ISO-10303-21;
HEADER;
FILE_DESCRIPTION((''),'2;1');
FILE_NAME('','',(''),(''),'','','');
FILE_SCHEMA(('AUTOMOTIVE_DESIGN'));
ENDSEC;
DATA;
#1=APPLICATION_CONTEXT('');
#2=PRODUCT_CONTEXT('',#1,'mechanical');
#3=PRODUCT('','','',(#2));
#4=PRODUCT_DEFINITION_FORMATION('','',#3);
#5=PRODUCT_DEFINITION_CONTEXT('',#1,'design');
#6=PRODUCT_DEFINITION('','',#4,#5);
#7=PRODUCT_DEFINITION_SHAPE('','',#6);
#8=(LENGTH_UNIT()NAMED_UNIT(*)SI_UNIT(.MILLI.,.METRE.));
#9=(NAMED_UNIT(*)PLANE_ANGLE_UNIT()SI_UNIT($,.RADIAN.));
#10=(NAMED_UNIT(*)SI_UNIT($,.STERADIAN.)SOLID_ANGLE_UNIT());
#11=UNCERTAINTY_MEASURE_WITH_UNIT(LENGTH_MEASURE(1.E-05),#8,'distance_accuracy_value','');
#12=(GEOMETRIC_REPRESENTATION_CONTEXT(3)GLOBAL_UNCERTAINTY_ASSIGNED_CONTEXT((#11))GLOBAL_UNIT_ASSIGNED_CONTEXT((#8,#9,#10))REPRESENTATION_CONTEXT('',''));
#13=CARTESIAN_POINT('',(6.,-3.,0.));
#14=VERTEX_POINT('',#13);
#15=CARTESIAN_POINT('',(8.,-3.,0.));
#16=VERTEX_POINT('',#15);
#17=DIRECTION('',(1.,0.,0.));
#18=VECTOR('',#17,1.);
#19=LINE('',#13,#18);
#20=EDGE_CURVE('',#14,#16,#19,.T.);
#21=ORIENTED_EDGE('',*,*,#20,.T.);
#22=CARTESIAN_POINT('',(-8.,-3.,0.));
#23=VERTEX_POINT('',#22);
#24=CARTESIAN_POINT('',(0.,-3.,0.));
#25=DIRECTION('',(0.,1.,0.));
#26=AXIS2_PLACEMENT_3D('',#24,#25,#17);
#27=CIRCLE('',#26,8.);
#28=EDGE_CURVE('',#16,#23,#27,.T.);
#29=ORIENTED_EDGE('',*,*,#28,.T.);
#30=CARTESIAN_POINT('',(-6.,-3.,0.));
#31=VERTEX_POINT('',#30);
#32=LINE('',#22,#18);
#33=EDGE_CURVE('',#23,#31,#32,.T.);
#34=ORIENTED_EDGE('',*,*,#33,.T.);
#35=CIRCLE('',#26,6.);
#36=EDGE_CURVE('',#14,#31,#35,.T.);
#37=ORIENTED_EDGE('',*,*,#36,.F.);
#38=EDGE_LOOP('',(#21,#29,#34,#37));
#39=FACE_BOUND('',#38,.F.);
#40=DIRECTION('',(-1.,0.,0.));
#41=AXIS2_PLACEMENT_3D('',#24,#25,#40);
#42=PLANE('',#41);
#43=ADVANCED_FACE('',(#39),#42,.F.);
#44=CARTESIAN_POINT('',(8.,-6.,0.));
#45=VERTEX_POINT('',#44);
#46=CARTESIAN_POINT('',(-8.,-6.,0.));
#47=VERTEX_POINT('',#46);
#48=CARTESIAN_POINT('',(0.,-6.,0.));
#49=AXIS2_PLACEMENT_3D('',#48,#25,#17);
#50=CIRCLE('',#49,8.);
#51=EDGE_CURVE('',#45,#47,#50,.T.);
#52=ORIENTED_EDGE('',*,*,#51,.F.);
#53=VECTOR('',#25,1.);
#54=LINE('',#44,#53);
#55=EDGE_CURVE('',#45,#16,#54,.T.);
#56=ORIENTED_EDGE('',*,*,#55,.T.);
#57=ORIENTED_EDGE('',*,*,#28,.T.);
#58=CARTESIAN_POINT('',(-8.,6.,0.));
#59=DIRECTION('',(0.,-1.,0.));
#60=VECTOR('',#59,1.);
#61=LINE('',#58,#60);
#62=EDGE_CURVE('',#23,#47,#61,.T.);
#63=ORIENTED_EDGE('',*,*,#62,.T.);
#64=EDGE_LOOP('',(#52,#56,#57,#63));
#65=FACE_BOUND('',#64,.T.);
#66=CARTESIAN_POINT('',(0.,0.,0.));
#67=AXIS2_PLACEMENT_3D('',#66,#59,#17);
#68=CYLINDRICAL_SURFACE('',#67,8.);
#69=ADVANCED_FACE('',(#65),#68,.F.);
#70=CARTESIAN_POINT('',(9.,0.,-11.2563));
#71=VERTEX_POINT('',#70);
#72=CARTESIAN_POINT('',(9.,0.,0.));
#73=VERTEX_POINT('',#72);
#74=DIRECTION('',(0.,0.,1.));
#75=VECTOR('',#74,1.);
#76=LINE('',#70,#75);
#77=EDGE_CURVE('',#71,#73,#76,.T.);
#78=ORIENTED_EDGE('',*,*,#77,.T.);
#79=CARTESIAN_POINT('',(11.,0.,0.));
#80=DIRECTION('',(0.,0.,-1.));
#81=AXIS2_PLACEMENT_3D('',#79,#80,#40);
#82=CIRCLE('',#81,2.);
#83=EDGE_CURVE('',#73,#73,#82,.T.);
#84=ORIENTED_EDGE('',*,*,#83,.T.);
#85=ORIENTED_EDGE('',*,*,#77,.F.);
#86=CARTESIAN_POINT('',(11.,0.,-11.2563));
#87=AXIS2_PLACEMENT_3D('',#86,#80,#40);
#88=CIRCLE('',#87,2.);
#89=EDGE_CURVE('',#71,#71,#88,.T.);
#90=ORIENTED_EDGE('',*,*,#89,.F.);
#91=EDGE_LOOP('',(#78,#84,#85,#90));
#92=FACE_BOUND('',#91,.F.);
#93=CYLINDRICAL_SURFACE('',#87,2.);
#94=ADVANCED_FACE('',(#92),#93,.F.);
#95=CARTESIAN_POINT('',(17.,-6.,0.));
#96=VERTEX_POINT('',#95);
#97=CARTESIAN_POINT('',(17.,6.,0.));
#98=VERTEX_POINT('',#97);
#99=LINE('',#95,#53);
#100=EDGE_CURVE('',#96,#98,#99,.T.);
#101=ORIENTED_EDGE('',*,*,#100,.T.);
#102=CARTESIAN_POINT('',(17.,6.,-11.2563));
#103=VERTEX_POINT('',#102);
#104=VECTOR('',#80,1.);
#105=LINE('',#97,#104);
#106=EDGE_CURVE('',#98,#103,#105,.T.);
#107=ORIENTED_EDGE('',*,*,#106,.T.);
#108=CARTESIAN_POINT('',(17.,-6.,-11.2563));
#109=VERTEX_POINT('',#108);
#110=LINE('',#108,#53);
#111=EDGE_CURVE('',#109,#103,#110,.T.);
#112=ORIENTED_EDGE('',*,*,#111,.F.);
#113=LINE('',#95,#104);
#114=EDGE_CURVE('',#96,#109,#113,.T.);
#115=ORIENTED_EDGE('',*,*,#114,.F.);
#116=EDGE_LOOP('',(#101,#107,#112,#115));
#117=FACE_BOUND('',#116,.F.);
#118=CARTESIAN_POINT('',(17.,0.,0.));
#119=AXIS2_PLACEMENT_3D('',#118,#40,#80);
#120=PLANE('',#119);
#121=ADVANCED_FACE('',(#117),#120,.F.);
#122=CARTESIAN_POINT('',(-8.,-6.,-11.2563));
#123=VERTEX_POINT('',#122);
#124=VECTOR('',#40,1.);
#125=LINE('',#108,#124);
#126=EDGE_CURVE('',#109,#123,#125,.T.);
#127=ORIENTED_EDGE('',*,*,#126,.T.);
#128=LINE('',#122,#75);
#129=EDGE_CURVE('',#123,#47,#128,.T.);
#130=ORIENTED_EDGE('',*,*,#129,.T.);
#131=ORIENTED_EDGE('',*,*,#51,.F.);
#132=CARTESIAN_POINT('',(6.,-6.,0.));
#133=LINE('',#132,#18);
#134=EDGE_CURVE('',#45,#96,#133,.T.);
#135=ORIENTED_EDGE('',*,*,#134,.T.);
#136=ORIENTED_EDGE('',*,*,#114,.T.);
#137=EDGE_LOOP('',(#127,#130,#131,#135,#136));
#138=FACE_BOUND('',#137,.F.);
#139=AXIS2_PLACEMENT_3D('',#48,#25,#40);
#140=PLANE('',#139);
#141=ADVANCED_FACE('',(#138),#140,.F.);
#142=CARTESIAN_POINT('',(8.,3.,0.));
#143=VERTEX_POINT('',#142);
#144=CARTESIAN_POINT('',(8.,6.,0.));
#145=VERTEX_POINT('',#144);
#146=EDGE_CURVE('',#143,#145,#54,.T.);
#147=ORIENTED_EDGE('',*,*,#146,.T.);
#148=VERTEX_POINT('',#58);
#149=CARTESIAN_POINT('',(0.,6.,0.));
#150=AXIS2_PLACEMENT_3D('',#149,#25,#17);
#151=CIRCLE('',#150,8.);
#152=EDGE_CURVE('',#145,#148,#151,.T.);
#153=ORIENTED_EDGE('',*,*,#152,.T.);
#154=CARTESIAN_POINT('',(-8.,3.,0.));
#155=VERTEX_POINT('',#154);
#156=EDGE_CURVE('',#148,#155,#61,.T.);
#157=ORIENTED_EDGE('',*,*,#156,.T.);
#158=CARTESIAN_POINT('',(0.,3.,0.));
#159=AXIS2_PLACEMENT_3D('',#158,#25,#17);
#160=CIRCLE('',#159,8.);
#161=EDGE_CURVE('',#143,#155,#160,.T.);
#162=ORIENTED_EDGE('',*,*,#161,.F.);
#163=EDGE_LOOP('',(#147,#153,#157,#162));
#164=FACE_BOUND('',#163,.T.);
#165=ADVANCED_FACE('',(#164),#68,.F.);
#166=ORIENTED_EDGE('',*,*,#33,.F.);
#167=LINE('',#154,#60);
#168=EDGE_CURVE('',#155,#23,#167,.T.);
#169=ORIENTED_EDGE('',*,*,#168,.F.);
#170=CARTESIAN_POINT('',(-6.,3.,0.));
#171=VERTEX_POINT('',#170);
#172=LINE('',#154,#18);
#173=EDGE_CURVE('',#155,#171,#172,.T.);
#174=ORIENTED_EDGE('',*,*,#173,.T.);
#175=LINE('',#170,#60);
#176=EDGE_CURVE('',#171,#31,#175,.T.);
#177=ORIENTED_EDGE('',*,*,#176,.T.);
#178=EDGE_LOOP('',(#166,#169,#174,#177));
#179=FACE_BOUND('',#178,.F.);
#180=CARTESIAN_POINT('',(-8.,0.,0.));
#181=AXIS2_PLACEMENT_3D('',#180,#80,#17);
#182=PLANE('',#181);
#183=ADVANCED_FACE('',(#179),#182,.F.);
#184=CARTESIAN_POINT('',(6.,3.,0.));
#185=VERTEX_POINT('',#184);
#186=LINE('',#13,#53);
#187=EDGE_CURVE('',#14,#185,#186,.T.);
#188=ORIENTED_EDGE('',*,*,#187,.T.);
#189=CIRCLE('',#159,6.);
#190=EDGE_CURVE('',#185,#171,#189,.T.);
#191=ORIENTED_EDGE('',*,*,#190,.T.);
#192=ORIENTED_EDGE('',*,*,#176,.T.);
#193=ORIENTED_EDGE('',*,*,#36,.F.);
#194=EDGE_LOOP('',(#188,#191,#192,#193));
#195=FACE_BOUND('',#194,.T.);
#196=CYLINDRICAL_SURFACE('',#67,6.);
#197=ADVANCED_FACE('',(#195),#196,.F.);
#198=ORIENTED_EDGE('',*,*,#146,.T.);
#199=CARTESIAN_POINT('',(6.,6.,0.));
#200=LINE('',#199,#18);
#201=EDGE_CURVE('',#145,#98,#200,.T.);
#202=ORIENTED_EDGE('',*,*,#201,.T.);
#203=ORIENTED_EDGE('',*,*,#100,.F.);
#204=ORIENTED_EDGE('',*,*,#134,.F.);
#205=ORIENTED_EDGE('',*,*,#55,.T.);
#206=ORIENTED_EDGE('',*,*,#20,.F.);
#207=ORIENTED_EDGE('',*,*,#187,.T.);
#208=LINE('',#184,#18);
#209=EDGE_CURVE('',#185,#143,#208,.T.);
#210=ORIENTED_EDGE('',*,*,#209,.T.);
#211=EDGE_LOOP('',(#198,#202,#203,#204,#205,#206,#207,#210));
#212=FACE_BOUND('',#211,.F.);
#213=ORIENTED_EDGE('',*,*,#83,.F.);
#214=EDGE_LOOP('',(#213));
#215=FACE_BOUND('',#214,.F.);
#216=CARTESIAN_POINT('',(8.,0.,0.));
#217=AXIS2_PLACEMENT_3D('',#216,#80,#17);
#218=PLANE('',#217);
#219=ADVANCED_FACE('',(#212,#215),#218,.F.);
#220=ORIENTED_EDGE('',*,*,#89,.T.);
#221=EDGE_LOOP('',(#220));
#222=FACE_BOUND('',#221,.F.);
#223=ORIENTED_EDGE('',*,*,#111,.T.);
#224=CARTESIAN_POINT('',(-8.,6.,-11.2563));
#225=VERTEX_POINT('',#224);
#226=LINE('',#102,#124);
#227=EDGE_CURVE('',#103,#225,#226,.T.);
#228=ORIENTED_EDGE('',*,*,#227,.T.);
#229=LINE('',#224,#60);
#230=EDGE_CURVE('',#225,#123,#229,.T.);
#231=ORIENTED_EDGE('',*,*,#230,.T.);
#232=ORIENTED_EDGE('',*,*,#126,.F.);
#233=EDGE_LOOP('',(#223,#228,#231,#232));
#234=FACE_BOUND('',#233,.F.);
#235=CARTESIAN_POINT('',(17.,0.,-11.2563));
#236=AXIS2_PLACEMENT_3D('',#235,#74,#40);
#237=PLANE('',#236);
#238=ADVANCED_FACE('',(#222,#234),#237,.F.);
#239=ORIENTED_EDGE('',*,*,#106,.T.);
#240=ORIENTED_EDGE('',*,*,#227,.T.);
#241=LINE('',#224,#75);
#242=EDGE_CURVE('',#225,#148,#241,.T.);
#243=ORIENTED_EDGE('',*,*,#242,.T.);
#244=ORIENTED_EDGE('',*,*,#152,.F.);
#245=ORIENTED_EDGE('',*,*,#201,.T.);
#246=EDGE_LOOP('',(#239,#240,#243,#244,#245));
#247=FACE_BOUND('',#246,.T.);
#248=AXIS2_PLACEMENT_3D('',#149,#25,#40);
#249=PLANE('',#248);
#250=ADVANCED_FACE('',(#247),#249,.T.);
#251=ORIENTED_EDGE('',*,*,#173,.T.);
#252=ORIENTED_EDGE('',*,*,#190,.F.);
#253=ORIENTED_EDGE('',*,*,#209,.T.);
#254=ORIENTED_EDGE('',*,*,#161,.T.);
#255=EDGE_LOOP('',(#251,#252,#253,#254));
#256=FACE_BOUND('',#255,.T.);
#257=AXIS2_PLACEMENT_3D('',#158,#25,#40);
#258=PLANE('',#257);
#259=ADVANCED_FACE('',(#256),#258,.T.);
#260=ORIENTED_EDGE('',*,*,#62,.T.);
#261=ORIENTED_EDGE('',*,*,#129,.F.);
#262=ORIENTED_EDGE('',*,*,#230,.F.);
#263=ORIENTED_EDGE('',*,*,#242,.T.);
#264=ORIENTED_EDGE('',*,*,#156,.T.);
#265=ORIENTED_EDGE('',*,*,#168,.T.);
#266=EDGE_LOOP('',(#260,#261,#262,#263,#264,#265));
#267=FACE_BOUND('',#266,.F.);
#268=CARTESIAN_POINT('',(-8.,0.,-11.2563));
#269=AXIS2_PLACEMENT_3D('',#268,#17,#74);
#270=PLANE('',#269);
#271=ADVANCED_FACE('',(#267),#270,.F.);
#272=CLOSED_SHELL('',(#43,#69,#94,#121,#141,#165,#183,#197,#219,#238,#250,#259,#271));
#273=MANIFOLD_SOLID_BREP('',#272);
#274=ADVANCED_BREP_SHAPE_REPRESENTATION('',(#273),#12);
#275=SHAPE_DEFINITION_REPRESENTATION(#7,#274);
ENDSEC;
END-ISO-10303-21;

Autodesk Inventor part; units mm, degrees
ref_plane "YZ Plane" through (0, 0, 0) normal (1, 0, 0) x (0, 1, 0)
ref_plane "XZ Plane" through (0, 0, 0) normal (0, 1, 0) x (-1, 0, 0)
ref_plane "XY Plane" through (0, 0, 0) normal (0, 0, 1) x (1, 0, 0)
sketch "Sketch1" plane through (0, 0, 0) normal (0, 1, 0) x (-1, 0, 0)
  arc A0 (-6, 0) -> (6, 0) centre (0, 0) ccw
  arc A1 (-8, 0) -> (8, 0) centre (0, 0) ccw
  line L0 (-17, 0) -> (-17, -11.2563)
  line L1 (-17, -11.2563) -> (8, -11.2563)
  line L2 (8, -11.2563) -> (8, 0)
  line L3 (8, 0) -> (6, 0)
  line L4 (-6, 0) -> (-17, 0)
  line L5 (6, 0) -> (-6, 0) construction
  dimension "d0" = 12
  dimension "d1" = 16
  dimension "d2" = 8
  dimension "d3" = 9
extrude "Tykkelse" add sketch "Sketch1" along normal mid plane 12 contours A1 L2 L1 L0 L4
extrude "Lille cirkel" add sketch "Sketch1" along normal mid plane 6 contours A0 L3 A1 L4
sketch "Sketch2" plane through (17, 6, -11.2563) normal (0, 0, -1) x (-1, 0, 0)
  circle A0 centre (6, -6) radius 2
  line L0 (0, 0) -> (0, -12) projected
  line L1 (25, -12) -> (0, -12) projected
  point P0 (17, -6)
  dimension "d9" = 4
  dimension "d10" = 6
  dimension "d11" = 6
extrude "Monteringshul" cut sketch "Sketch2" against normal up to surface (11.2563 mm away)
properties part number "Holder"
